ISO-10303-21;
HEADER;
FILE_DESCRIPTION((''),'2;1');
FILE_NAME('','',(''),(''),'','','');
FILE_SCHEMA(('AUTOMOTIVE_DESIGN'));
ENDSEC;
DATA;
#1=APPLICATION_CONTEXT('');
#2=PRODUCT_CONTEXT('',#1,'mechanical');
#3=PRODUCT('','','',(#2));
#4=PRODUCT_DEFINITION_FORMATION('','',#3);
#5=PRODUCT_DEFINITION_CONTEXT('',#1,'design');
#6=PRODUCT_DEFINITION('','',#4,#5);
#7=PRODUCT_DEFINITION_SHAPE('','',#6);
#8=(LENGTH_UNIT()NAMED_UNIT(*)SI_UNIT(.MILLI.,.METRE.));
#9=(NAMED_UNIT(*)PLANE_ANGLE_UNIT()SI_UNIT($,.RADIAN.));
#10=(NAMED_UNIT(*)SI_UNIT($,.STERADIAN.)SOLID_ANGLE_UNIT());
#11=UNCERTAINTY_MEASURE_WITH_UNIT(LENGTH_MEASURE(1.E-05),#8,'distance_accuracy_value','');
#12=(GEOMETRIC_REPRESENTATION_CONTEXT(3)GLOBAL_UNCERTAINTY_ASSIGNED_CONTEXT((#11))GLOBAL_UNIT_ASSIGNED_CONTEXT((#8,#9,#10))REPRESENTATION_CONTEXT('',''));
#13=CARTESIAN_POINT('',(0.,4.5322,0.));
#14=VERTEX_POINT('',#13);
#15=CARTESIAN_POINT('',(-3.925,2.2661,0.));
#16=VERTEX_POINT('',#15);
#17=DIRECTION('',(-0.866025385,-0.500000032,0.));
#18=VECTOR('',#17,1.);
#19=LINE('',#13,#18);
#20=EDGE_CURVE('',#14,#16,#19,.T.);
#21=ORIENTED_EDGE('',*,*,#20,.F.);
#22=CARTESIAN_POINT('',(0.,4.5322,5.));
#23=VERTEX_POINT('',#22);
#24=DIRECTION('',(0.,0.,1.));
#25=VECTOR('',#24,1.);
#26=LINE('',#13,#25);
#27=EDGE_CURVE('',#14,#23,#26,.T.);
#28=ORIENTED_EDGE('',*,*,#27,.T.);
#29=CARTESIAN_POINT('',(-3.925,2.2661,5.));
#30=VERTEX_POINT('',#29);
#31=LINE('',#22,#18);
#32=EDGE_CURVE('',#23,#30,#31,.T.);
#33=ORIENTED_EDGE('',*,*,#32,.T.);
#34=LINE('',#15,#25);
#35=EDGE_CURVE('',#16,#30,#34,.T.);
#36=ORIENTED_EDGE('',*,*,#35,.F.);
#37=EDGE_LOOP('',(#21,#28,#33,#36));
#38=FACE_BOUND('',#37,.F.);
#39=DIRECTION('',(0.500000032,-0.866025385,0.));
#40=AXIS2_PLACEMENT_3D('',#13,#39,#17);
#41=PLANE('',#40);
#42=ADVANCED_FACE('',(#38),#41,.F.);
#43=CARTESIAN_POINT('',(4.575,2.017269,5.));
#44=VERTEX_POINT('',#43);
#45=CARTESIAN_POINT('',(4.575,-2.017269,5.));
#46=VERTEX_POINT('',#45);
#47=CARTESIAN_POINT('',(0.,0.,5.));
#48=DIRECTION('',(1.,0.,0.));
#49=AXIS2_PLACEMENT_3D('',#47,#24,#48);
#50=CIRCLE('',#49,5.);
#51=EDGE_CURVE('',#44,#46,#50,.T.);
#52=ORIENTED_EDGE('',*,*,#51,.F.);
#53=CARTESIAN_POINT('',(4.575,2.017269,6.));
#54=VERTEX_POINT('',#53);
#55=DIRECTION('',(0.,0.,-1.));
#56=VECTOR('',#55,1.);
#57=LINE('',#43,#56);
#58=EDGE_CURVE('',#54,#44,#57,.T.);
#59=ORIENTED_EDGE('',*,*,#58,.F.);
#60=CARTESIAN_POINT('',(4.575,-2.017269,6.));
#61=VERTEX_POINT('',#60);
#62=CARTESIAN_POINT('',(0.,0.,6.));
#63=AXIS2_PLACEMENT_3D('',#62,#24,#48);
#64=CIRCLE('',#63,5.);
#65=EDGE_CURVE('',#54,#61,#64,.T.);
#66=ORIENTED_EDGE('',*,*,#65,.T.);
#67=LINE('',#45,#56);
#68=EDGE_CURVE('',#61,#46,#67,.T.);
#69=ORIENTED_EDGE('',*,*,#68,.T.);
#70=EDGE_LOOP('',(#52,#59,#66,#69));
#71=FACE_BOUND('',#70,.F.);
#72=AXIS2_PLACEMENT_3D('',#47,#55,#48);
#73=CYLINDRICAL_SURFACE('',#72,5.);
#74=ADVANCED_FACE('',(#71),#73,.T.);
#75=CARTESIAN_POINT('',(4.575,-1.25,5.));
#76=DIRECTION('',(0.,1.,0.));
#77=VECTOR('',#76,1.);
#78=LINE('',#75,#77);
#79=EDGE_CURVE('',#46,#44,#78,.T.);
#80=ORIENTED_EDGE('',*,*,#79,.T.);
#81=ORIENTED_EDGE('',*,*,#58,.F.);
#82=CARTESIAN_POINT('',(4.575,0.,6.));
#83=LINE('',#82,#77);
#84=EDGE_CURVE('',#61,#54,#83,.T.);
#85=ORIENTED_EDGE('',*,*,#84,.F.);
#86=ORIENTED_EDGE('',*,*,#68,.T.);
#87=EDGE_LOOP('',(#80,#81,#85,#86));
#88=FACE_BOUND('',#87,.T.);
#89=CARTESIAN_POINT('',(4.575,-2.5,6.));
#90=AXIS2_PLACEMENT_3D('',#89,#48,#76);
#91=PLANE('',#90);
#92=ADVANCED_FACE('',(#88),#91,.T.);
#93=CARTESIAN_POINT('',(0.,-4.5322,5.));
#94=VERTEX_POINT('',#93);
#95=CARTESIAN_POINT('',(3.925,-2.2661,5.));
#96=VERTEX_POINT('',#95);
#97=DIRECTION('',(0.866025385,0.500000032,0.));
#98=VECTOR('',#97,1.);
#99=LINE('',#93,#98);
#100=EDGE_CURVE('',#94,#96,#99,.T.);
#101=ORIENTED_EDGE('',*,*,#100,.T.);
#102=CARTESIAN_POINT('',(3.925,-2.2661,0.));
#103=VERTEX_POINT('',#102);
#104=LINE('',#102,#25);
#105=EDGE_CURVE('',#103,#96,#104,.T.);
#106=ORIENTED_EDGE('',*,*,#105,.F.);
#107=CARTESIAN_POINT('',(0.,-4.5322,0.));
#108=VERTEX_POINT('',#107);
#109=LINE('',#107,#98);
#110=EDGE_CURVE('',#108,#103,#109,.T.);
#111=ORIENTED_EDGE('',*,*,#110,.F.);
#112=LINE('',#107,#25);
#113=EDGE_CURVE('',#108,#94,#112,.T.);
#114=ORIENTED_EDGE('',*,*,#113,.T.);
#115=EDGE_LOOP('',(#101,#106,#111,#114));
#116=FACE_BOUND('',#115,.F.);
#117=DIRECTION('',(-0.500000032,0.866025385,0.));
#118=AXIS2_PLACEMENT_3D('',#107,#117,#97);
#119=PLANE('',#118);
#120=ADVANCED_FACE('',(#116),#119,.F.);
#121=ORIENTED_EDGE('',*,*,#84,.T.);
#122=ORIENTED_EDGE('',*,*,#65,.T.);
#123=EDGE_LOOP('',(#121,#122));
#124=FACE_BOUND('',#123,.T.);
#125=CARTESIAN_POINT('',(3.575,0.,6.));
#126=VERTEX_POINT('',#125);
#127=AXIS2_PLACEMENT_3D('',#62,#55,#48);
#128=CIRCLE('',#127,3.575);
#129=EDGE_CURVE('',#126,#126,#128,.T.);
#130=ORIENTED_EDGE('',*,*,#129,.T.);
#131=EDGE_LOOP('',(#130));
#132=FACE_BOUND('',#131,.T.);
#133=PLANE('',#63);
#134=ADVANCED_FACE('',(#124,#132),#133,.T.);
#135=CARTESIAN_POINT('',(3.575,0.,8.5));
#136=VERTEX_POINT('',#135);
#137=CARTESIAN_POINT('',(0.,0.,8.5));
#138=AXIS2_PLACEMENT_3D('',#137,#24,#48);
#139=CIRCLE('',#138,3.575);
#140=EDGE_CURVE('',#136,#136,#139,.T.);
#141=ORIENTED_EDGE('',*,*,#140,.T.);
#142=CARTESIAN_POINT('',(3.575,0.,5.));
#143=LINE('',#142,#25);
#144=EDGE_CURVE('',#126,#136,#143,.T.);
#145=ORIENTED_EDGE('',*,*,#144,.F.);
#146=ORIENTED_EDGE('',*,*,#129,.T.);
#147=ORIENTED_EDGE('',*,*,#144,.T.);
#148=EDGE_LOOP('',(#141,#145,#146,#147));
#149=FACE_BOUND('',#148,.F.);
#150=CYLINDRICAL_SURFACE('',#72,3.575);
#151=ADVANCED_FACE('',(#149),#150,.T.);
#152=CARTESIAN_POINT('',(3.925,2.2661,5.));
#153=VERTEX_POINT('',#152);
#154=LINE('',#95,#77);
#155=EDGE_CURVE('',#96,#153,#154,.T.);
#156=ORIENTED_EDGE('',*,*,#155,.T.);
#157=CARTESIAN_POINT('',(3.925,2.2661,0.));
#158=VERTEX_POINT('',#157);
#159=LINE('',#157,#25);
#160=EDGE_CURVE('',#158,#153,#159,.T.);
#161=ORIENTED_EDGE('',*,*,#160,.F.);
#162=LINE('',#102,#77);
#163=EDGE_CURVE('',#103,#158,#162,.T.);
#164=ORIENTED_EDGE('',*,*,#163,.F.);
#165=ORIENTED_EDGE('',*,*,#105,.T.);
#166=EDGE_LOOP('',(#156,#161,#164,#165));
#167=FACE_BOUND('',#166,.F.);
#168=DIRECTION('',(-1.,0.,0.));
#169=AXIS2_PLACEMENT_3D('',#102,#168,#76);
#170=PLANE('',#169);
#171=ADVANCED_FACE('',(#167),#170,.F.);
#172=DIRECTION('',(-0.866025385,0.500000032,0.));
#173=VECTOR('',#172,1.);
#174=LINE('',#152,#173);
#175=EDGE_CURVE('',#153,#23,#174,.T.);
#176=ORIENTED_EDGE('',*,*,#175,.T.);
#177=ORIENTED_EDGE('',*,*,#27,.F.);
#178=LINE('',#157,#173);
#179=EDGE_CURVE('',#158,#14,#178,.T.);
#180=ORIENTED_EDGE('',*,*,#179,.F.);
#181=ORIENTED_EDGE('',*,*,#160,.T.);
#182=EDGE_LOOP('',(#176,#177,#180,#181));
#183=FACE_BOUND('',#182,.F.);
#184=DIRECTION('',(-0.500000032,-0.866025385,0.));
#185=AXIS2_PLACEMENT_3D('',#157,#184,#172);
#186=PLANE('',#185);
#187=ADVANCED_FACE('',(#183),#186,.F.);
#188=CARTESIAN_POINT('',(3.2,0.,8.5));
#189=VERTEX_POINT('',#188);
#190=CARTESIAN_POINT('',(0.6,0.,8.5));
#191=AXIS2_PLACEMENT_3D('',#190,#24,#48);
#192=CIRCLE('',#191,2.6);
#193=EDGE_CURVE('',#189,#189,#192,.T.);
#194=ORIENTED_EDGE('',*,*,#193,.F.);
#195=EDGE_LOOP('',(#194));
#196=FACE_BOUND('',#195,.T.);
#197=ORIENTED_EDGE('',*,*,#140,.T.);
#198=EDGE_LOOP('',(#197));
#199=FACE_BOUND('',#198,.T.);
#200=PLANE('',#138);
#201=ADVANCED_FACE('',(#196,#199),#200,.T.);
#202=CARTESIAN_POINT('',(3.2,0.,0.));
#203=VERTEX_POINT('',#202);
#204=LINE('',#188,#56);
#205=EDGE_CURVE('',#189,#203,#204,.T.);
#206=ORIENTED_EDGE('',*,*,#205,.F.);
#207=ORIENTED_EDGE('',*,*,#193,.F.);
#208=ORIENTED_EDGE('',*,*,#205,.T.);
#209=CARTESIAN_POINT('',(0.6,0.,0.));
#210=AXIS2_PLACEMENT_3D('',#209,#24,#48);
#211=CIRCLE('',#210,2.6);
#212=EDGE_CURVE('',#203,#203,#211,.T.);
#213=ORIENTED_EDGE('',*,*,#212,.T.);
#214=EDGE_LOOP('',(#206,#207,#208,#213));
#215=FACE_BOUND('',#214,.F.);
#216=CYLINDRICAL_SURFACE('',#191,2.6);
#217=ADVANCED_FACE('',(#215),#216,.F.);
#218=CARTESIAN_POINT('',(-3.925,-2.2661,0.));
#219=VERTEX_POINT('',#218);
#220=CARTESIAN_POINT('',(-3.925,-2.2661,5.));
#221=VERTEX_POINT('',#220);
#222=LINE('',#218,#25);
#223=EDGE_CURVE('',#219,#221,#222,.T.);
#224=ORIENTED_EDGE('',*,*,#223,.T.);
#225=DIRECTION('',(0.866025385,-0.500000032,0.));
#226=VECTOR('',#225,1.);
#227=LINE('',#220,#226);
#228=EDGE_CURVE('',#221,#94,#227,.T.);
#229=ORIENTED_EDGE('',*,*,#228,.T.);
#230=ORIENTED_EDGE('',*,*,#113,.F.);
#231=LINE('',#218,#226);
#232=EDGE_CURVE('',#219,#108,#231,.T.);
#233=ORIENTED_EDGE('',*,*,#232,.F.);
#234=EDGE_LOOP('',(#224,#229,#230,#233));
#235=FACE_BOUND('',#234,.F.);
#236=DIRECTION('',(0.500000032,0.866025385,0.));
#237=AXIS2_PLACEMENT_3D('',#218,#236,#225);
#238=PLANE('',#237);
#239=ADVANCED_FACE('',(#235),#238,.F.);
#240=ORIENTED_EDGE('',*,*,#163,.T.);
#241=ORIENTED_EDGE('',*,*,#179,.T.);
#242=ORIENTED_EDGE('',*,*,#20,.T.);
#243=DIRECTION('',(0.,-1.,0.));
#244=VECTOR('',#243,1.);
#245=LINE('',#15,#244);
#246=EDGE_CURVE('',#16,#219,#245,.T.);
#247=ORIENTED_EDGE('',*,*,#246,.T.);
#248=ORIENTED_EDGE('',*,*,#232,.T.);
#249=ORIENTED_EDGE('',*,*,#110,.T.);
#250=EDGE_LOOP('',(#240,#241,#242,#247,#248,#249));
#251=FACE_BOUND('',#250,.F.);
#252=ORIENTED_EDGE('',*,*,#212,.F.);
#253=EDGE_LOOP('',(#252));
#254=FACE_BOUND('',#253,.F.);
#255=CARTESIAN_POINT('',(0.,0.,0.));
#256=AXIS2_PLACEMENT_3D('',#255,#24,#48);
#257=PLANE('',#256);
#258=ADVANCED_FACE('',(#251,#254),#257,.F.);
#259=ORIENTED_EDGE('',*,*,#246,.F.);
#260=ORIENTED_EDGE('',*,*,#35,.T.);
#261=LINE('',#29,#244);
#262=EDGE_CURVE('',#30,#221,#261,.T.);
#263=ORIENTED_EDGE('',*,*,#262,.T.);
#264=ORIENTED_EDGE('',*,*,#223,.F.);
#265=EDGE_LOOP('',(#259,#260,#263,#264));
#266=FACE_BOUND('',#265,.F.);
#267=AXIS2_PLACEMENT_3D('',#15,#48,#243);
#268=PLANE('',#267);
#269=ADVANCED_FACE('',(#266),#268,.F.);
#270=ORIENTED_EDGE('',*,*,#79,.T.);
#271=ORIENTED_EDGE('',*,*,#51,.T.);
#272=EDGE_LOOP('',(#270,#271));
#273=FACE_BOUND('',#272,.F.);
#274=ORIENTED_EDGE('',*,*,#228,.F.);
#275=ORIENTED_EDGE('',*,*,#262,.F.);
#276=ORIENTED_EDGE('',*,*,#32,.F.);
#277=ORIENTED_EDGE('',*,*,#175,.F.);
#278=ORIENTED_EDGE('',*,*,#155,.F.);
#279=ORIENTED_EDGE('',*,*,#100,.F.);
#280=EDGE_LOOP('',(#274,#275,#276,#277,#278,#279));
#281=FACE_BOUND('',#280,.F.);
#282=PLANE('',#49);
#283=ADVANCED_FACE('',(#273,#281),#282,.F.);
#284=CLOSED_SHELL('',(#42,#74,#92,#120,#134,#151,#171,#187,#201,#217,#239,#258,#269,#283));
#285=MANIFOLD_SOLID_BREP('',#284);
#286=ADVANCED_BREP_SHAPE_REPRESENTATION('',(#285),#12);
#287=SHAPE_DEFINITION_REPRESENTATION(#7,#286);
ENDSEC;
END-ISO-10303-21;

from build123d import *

# Parameters (mm, degrees)
F1_DEPTH  = 5
F2_R      = 3.575
F3_DEPTH  = 3.5
F4_R      = 2.6
F5_DEPTH  = 25
F6_R      = 5
F7_DEPTH  = 1
F8_R      = 2.6
F9_DEPTH  = 25
F10_W     = 1.5
F10_H     = 5
F11_DEPTH = 2


with BuildPart() as f1:
    # F0 (on Top) → F1 (new body)
    with BuildSketch(Plane.XY):
        Polygon((3.925, -2.2661), (3.925, 2.2661), (0, 4.5322), (-3.925, 2.2661), (-3.925, -2.2661), (0, -4.5322), align=None)
    extrude(amount=F1_DEPTH)

    # F2 (on face) → F3 (join)
    with BuildSketch(Plane.XY.offset(5)):
        Circle(F2_R)
    extrude(amount=F3_DEPTH)

    # F4 (on face) → F5 (cut)
    with BuildSketch(Plane.XY.offset(8.5)):
        with Locations((0.6, 0)):
            Circle(F4_R)
    extrude(amount=-F5_DEPTH, mode=Mode.SUBTRACT)

    # F6 (on face) → F7 (join)
    with BuildSketch(Plane.XY.offset(5)):
        Circle(F6_R)
    extrude(amount=F7_DEPTH)

    # F8 (on face) → F9 (cut)
    with BuildSketch(Plane.XY.offset(8.5)):
        with Locations((0.6, 0)):
            Circle(F8_R)
    extrude(amount=-F9_DEPTH, mode=Mode.SUBTRACT)

    # F10 (on face) → F11 (cut)
    with BuildSketch(Plane.XY.offset(6)):
        with Locations((5.325, 0)):
            Rectangle(F10_W, F10_H)
    extrude(amount=-F11_DEPTH, mode=Mode.SUBTRACT)


solid = f1.part
